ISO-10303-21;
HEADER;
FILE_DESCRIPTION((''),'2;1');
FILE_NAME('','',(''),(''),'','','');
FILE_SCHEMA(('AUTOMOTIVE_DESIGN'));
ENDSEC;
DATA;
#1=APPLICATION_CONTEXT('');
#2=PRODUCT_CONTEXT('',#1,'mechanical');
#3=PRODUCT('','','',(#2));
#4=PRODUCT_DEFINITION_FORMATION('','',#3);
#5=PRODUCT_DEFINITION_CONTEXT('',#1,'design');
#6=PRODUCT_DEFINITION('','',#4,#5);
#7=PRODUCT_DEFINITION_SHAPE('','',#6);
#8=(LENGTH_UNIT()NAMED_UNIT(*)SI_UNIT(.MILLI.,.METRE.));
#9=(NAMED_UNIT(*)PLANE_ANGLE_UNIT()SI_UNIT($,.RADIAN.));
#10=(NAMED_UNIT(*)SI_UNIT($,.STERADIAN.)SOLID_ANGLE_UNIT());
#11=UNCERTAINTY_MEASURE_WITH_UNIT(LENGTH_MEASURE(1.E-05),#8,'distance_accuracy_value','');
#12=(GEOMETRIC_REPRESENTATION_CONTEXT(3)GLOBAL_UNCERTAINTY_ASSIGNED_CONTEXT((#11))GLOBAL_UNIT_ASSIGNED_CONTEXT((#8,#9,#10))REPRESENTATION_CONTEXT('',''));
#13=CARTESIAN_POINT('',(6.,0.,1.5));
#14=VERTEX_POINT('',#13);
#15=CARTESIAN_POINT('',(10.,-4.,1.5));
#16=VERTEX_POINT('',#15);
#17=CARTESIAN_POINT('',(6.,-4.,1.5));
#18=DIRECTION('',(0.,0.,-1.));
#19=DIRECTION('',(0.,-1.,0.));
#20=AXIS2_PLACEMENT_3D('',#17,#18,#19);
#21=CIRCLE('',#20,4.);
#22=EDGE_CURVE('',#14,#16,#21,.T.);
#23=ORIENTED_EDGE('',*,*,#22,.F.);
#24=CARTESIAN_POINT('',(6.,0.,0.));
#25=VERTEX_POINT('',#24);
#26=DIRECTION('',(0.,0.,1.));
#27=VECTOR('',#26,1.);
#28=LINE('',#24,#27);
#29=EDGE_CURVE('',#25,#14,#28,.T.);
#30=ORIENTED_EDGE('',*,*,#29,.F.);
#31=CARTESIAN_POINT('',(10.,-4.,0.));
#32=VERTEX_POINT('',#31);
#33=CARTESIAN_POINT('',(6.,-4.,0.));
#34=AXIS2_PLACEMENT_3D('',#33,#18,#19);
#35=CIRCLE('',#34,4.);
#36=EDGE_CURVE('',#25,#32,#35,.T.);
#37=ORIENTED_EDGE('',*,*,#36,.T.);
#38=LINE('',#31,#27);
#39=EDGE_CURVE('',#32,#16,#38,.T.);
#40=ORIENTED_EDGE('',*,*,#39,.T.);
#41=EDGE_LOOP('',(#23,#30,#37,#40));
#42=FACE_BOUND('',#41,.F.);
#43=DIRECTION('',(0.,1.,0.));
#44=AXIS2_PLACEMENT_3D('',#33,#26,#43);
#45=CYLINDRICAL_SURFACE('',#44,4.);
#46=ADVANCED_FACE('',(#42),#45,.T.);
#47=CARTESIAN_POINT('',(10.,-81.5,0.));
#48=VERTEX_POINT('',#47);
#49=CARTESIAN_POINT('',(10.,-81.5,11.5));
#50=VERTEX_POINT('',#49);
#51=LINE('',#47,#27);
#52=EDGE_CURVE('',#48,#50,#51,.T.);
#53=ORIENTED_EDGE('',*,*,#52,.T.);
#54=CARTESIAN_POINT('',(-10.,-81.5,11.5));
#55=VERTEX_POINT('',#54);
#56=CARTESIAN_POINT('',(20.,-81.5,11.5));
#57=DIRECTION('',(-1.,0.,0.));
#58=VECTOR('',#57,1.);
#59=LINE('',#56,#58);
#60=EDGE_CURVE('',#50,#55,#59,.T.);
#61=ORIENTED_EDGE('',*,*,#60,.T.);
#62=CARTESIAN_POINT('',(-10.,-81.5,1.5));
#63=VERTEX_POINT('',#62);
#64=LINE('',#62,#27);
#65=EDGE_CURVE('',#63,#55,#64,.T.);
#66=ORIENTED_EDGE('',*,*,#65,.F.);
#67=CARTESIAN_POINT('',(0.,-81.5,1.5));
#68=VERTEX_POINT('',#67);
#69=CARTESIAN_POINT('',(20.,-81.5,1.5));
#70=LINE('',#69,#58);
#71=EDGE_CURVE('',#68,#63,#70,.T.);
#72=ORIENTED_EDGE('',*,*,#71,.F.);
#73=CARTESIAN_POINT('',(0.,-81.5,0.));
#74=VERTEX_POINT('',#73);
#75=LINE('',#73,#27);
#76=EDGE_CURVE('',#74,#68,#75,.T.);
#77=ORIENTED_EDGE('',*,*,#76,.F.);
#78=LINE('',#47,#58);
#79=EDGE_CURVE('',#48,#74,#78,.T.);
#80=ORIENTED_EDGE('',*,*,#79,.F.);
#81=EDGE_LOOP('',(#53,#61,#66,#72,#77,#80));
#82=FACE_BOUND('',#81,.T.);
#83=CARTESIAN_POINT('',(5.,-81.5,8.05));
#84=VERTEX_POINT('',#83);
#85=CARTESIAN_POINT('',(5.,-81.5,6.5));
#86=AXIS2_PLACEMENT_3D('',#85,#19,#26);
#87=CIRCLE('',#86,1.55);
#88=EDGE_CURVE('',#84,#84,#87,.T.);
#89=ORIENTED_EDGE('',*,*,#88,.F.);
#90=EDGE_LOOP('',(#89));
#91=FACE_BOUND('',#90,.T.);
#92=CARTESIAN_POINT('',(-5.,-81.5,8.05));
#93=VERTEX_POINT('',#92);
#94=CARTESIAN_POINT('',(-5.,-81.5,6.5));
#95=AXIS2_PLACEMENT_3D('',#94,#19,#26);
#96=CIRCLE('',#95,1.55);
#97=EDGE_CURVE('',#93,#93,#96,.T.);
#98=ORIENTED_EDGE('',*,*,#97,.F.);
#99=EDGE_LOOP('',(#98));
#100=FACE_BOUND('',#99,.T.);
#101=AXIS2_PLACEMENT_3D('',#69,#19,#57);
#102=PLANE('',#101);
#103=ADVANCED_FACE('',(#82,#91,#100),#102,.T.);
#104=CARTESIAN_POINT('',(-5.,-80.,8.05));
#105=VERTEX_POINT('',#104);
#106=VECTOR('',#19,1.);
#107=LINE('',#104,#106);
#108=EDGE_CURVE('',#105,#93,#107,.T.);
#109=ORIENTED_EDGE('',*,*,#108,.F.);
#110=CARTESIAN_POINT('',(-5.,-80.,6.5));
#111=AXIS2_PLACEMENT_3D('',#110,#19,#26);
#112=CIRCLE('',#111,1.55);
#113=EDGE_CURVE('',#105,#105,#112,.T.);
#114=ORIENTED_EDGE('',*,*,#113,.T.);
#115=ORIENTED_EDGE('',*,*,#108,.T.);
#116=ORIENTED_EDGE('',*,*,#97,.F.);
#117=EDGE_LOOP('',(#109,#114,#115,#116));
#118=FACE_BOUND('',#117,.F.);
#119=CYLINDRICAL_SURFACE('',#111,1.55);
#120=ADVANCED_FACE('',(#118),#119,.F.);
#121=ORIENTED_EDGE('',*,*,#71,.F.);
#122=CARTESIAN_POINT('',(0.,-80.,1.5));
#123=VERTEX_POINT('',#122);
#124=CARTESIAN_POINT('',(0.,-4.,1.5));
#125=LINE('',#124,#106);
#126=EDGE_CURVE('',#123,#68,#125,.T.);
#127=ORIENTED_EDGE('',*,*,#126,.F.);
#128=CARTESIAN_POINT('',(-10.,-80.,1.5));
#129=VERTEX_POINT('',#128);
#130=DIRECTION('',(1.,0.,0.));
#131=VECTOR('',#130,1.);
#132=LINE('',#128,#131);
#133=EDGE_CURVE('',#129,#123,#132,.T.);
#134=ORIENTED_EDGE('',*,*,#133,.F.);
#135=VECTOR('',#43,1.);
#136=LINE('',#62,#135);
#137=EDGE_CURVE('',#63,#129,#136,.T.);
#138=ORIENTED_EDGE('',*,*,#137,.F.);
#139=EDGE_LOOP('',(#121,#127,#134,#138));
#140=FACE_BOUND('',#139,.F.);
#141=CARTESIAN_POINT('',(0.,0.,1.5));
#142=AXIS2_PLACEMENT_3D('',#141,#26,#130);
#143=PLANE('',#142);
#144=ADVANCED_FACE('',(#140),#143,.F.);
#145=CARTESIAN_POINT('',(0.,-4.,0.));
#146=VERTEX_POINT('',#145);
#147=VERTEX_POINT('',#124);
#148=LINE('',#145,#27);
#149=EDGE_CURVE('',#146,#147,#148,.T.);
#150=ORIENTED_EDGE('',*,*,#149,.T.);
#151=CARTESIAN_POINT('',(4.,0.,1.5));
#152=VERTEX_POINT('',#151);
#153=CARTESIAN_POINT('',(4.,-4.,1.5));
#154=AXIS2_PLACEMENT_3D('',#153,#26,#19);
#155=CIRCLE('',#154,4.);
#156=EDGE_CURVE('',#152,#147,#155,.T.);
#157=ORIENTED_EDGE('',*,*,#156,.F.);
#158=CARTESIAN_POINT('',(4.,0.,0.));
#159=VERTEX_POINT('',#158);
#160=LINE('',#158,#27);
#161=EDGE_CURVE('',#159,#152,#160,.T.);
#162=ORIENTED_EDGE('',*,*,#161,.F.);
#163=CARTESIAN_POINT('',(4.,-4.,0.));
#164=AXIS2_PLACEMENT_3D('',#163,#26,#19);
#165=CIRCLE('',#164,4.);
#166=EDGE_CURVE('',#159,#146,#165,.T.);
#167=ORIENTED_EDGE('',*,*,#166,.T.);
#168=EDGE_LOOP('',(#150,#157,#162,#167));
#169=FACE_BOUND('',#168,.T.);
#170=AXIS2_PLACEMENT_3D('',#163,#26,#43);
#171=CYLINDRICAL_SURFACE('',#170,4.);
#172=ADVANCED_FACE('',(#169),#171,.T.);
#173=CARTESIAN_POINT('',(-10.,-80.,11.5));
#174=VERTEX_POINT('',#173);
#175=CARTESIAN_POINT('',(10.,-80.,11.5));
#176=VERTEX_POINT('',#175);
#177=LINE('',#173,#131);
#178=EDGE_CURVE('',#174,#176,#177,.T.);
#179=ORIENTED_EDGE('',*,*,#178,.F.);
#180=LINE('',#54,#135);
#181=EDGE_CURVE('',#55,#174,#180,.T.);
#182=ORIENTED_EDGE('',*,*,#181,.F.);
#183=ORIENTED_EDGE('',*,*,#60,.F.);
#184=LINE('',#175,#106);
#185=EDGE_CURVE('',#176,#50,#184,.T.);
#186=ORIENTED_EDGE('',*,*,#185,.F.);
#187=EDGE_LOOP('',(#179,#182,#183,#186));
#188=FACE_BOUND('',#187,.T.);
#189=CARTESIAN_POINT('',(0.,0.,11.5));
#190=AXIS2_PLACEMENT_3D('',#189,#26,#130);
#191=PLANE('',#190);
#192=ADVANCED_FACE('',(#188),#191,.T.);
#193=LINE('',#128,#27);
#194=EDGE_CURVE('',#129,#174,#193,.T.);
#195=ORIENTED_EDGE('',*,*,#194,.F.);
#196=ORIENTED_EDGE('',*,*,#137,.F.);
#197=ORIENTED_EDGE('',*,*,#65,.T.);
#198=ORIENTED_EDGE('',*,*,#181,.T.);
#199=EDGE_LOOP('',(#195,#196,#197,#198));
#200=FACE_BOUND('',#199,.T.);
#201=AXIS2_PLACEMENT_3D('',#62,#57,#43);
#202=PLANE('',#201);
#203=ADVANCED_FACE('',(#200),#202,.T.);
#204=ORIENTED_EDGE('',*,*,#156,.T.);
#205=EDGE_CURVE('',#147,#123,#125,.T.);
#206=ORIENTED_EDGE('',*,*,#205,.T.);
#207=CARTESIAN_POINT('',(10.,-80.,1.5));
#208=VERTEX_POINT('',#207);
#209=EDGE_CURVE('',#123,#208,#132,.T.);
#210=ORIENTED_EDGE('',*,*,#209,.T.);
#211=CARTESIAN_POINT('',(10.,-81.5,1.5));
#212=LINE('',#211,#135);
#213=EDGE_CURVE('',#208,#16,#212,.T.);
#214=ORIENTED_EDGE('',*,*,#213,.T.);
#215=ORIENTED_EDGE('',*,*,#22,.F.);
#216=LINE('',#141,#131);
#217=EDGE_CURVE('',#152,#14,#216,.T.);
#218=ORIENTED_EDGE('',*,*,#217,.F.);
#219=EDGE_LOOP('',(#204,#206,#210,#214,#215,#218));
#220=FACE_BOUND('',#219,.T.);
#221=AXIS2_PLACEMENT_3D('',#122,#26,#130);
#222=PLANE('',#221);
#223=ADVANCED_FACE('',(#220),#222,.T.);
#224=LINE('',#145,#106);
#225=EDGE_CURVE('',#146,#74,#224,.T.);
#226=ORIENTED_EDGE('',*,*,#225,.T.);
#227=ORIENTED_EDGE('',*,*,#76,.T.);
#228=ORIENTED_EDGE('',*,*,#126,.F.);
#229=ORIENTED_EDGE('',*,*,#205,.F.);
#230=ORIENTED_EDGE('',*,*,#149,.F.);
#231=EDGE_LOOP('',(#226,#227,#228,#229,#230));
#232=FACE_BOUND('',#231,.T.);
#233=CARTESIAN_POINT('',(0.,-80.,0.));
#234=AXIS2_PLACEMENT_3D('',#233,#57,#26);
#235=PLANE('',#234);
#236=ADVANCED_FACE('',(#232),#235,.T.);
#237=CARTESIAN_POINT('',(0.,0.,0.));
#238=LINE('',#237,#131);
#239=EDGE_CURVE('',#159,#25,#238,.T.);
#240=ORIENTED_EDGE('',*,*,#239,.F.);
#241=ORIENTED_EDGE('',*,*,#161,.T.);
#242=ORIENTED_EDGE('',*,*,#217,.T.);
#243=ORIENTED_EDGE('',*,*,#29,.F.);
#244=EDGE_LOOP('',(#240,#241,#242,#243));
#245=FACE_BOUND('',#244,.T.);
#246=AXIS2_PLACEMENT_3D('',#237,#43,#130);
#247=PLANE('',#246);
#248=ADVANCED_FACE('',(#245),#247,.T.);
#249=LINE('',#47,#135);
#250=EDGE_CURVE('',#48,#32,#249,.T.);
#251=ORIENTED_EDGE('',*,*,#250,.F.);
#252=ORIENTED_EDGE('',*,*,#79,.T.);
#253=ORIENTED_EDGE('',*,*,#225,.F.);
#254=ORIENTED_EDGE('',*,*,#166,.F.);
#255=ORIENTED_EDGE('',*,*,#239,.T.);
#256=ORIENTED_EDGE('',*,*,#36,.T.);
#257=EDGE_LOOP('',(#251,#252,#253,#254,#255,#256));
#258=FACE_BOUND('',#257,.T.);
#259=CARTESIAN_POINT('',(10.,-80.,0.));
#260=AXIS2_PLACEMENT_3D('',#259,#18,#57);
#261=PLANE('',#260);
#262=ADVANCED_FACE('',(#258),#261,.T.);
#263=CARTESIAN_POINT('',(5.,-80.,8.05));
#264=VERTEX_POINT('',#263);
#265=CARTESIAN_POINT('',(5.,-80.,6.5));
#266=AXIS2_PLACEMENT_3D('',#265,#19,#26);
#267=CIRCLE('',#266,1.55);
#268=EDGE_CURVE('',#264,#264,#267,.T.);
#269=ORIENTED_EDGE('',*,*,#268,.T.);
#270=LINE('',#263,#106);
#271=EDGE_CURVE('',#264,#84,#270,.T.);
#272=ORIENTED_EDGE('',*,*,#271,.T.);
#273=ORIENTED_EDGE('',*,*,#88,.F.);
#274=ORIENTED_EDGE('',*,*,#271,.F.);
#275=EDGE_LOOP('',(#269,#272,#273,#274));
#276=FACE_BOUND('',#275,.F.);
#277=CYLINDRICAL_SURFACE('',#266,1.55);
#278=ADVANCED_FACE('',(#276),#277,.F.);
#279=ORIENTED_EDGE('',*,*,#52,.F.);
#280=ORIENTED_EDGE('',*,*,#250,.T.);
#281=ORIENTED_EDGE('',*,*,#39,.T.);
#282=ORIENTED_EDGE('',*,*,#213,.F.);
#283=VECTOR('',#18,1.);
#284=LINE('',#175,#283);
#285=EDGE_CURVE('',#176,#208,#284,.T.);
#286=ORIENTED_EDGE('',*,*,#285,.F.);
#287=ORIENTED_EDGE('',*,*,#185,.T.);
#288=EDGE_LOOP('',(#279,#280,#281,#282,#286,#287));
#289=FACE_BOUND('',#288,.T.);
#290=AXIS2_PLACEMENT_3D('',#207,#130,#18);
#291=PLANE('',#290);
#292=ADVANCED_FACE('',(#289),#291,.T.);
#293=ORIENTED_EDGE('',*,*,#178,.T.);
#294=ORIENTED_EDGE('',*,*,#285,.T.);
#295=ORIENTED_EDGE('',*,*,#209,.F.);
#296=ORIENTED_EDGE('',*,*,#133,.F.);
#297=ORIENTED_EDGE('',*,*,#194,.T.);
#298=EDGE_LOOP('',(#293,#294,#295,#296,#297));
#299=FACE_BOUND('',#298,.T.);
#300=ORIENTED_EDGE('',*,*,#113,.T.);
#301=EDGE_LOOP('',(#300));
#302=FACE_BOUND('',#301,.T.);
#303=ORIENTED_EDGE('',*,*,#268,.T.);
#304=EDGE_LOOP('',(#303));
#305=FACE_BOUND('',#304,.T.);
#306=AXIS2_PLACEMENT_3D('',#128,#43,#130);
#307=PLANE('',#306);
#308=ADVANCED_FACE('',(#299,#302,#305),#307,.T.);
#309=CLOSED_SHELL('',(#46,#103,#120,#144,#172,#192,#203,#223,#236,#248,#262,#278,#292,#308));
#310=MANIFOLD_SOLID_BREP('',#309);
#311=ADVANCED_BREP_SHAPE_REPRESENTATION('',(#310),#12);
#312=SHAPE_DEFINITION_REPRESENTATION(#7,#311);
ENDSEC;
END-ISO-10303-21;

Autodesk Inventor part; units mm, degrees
ref_plane "YZ Plane" through (0, 0, 0) normal (1, 0, 0) x (0, 1, 0)
ref_plane "XZ Plane" through (0, 0, 0) normal (0, 1, 0) x (-1, 0, 0)
ref_plane "XY Plane" through (0, 0, 0) normal (0, 0, 1) x (1, 0, 0)
sketch "スケッチ1" plane through (0, 0, 0) normal (0, 0, 1) x (1, 0, 0)
  line L0 (0, 0) -> (10, 0)
  line L1 (10, 0) -> (10, -80)
  line L2 (10, -80) -> (0, -80)
  line L3 (0, -80) -> (0, 0)
  dimension "d0" = 10
  dimension "d1" = 80
extrude "押し出し1" add sketch "スケッチ1" along normal blind 1.5
fillet "フィレット1" radius 4 2 edges at (10, 0, 0.75) (0, 0, 0.75)
sketch "スケッチ2" plane through (0, -80, 0) normal (0, -1, 0) x (1, 0, 0)
  line L0 (0, 1.5) -> (10, 1.5)
  line L1 (10, 1.5) -> (10, 0)
  line L2 (10, 0) -> (0, 0)
  line L3 (0, 0) -> (0, 1.5)
extrude "押し出し2" add sketch "スケッチ2" along normal blind 1.5
sketch "スケッチ4" plane through (0, 0, 1.5) normal (0, 0, 1) x (1, 0, 0)
  line L0 (20, -81.5) -> (-10, -81.5)
  line L1 (-10, -81.5) -> (-10, -80)
  line L2 (-10, -80) -> (20, -80)
  line L3 (20, -80) -> (20, -81.5)
  point P0 (0, 0)
  dimension "d10" = 30
  dimension "d11" = 1.5
extrude "押し出し4" add sketch "スケッチ4" along normal blind 10
sketch "スケッチ5" plane through (-10, -80, 1.5) normal (0, 1, 0) x (1, 0, 0)
  line L0 (30, -10) -> (20, -10)
  line L1 (20, -10) -> (20, 0)
  line L2 (20, 0) -> (30, 0)
  line L3 (30, 0) -> (30, -10)
  point P0 (10, 1.5)
  dimension "d14" = 10
  dimension "d15" = 10
extrude "押し出し5" cut sketch "スケッチ5" against normal blind 10
sketch "スケッチ7" plane through (-10, -80, 1.5) normal (0, 1, 0) x (1, 0, 0)
  line L0 (20, -10) -> (0, -10) projected
  line L1 (20, -10) -> (20, 0) projected
  point P0 (10, 1.5)
  point P1 (15, -5)
  point P2 (5, -5)
  dimension "d23" = 10
  dimension "d24" = 5
  dimension "d25" = 5
hole "穴1" at (5, -80, 6.5) at (-5, -80, 6.5) direction (0, -1, 0) diameter 3.1 depth 8 tip angle 118
properties part number "Fork 1 right ver2" material "アルミニウム 5052 H32"
